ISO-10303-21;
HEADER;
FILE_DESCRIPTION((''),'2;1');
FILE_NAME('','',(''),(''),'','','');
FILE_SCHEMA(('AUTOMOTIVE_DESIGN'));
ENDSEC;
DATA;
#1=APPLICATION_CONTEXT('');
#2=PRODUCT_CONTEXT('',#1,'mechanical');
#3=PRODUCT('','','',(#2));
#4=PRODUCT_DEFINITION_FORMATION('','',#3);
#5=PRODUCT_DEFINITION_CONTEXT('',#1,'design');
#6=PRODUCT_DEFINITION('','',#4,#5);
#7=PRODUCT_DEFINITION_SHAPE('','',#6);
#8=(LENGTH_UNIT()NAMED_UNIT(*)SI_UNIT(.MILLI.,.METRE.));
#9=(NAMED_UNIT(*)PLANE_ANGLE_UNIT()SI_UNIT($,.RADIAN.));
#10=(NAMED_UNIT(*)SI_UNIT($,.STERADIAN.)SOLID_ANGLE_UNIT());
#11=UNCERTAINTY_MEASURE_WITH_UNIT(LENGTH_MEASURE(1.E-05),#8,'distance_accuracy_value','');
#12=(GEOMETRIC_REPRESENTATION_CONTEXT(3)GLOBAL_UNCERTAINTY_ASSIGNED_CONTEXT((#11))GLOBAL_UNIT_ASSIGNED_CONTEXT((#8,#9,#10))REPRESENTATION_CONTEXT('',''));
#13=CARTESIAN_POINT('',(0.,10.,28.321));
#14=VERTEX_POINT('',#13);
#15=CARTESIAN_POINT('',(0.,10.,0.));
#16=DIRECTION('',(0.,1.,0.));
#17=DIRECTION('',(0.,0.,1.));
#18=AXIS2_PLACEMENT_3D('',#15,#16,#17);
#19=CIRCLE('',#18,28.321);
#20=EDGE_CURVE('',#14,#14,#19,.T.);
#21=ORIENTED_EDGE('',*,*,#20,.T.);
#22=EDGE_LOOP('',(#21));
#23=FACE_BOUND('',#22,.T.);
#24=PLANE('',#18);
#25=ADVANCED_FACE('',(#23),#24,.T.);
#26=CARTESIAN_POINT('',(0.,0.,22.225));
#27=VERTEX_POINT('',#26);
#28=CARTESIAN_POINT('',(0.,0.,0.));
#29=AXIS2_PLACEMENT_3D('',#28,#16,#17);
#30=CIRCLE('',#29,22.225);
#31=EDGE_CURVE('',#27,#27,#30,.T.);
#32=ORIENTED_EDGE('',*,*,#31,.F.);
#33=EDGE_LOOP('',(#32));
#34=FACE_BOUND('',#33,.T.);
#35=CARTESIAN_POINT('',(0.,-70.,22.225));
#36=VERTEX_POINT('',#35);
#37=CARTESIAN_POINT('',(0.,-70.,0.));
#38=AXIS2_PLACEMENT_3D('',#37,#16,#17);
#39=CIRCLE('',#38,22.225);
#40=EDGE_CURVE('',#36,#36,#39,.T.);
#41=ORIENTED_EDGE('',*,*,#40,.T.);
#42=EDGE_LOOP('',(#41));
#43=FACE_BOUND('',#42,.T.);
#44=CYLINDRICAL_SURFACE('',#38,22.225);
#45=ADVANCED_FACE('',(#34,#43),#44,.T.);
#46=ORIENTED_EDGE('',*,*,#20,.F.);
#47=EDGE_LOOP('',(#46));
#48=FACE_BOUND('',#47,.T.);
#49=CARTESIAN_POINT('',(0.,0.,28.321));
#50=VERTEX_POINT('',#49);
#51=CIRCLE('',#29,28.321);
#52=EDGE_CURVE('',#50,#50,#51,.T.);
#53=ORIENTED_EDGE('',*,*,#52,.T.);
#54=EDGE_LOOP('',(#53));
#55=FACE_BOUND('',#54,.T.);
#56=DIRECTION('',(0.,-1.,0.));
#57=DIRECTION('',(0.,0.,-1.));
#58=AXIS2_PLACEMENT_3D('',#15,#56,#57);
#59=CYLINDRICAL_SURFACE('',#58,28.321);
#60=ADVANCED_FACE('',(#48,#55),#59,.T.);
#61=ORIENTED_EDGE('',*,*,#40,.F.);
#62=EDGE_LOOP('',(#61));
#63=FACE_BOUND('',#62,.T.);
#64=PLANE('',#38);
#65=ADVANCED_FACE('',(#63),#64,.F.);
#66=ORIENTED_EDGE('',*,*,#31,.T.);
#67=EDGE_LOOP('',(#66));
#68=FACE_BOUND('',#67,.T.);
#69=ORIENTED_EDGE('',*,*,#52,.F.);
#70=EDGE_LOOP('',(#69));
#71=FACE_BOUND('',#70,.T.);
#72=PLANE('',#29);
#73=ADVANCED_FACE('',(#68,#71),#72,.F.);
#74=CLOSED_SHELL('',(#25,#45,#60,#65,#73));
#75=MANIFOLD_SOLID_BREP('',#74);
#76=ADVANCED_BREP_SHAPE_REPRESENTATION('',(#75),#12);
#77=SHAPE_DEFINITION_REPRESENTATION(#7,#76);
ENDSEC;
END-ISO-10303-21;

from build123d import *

# Parameters (mm, degrees)
SKETCH1_R           = 28.321
SKETCH1_R_2         = 22.225
BOSS_EXTRUDE1_DEPTH = 10
SKETCH1_2_R         = 22.225
BOSS_EXTRUDE2_DEPTH = 70
SKETCH1_3_R         = 22.225
BOSS_EXTRUDE3_DEPTH = 10


with BuildPart() as part:
    # Sketch1 → Boss-Extrude1 (new body)
    with BuildSketch(Plane(origin=(0, 0, 0), x_dir=(1, 0, 0), z_dir=(0, 1, 0))):
        Circle(SKETCH1_R)
        Circle(SKETCH1_R_2, mode=Mode.SUBTRACT)
    extrude(amount=BOSS_EXTRUDE1_DEPTH)



with BuildPart() as body_2:
    # Sketch1<2> → Boss-Extrude2 (new body)
    with BuildSketch(Plane(origin=(0, 0, 0), x_dir=(1, 0, 0), z_dir=(0, 1, 0))):
        Circle(SKETCH1_2_R)
    extrude(amount=-BOSS_EXTRUDE2_DEPTH)


with BuildPart() as part_1:
    add(part.part)

    add(body_2.part)  # Boss-Extrude3 merges body 2
    # Sketch1<3> → Boss-Extrude3 (add)
    with BuildSketch(Plane(origin=(0, 0, 0), x_dir=(1, 0, 0), z_dir=(0, 1, 0))):
        Circle(SKETCH1_3_R)
    extrude(amount=BOSS_EXTRUDE3_DEPTH)


solid = part_1.part
